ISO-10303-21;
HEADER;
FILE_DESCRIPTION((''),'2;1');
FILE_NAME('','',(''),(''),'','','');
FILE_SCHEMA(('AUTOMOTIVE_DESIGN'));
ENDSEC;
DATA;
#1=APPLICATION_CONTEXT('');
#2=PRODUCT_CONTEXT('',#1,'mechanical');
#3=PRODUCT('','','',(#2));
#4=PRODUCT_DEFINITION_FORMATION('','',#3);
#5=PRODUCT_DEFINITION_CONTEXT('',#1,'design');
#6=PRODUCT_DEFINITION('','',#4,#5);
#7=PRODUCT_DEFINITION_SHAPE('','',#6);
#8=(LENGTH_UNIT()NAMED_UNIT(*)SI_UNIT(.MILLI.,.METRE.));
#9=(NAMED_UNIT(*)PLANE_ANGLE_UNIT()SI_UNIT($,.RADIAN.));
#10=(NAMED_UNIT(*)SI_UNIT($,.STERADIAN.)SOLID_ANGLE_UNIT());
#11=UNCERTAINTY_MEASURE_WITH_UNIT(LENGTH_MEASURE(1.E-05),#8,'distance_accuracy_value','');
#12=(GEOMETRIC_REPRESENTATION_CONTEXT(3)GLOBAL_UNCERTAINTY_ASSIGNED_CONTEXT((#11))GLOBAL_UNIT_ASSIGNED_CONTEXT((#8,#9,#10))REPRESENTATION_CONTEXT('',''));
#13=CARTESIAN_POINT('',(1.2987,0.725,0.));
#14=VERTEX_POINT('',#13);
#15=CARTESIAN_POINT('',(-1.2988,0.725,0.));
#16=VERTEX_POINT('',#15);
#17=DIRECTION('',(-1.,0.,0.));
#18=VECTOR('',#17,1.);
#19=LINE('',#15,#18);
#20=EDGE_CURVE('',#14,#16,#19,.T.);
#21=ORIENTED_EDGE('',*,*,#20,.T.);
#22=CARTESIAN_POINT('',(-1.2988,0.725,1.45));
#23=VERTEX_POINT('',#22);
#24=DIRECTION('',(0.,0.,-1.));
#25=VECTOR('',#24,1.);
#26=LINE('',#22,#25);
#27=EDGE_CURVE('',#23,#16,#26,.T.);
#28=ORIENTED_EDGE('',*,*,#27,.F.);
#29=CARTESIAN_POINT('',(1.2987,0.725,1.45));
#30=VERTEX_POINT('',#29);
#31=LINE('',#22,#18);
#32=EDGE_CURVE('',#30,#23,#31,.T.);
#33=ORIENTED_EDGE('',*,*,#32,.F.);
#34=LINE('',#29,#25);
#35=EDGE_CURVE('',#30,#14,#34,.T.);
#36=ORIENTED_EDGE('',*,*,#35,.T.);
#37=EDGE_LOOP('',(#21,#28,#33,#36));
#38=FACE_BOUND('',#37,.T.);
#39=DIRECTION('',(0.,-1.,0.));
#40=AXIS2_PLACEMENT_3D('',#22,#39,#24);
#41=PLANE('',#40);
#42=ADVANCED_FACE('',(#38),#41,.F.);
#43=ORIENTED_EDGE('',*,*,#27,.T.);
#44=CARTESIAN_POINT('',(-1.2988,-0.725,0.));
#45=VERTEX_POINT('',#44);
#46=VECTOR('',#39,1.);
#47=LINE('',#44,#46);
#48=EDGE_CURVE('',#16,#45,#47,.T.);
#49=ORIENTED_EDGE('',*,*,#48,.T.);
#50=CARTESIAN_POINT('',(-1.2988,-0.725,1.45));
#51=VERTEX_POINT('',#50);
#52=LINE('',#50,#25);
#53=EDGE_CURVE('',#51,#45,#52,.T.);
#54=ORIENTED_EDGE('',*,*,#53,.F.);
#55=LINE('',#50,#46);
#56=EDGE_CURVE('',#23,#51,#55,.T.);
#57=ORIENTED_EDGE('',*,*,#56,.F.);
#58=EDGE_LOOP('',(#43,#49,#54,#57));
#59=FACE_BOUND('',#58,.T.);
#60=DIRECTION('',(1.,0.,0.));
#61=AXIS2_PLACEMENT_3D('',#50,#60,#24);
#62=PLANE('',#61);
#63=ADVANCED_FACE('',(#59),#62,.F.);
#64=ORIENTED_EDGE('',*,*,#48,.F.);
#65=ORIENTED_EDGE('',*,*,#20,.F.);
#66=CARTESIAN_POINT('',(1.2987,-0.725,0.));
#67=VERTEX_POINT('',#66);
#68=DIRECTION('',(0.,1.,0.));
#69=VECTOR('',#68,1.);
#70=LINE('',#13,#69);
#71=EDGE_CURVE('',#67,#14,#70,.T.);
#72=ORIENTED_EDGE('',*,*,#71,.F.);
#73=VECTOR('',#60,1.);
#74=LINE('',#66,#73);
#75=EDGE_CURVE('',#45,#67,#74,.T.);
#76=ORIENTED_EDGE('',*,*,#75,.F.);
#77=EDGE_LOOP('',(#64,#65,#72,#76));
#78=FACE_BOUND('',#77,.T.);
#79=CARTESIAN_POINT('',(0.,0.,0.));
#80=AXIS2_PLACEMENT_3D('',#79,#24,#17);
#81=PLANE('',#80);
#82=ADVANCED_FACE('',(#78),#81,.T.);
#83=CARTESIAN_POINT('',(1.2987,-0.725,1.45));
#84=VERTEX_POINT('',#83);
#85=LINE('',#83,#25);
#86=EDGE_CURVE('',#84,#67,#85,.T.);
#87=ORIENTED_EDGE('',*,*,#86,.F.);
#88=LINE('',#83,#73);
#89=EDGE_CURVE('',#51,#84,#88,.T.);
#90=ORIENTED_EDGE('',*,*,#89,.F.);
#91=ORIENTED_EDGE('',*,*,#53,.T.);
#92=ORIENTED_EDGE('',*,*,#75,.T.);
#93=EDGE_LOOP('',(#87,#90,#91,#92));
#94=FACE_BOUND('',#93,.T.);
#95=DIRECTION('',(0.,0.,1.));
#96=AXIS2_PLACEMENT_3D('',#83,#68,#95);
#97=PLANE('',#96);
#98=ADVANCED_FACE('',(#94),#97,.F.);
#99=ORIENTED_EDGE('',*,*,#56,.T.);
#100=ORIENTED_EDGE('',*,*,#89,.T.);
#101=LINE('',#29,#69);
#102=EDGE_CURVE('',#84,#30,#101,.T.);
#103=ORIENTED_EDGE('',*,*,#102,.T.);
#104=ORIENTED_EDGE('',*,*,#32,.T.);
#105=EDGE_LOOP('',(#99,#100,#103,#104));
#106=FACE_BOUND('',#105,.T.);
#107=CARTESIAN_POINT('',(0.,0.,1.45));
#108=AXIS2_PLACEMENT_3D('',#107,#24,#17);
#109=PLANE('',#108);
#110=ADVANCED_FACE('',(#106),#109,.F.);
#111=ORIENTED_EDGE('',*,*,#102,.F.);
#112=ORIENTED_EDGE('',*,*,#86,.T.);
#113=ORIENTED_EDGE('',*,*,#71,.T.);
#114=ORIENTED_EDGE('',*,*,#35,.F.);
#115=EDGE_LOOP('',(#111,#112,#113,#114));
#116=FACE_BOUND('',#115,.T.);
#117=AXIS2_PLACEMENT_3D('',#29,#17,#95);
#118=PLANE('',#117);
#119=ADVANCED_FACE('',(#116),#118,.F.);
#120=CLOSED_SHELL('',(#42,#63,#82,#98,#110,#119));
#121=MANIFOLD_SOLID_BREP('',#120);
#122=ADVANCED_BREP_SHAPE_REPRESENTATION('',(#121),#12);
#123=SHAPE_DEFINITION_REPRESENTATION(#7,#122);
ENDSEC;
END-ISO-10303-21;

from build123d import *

# Parameters (mm, degrees)
SKETCH_1_W              = 2.5975
SKETCH_1_H              = 1.45
COMPONENT_OUTLINE_DEPTH = 1.45


with BuildPart() as part:
    # 草图1 → Component_Outline (new body)
    with BuildSketch(Plane.XY):
        with Locations((-5e-05, 0)):
            Rectangle(SKETCH_1_W, SKETCH_1_H)
    extrude(amount=COMPONENT_OUTLINE_DEPTH)


solid = part.part
